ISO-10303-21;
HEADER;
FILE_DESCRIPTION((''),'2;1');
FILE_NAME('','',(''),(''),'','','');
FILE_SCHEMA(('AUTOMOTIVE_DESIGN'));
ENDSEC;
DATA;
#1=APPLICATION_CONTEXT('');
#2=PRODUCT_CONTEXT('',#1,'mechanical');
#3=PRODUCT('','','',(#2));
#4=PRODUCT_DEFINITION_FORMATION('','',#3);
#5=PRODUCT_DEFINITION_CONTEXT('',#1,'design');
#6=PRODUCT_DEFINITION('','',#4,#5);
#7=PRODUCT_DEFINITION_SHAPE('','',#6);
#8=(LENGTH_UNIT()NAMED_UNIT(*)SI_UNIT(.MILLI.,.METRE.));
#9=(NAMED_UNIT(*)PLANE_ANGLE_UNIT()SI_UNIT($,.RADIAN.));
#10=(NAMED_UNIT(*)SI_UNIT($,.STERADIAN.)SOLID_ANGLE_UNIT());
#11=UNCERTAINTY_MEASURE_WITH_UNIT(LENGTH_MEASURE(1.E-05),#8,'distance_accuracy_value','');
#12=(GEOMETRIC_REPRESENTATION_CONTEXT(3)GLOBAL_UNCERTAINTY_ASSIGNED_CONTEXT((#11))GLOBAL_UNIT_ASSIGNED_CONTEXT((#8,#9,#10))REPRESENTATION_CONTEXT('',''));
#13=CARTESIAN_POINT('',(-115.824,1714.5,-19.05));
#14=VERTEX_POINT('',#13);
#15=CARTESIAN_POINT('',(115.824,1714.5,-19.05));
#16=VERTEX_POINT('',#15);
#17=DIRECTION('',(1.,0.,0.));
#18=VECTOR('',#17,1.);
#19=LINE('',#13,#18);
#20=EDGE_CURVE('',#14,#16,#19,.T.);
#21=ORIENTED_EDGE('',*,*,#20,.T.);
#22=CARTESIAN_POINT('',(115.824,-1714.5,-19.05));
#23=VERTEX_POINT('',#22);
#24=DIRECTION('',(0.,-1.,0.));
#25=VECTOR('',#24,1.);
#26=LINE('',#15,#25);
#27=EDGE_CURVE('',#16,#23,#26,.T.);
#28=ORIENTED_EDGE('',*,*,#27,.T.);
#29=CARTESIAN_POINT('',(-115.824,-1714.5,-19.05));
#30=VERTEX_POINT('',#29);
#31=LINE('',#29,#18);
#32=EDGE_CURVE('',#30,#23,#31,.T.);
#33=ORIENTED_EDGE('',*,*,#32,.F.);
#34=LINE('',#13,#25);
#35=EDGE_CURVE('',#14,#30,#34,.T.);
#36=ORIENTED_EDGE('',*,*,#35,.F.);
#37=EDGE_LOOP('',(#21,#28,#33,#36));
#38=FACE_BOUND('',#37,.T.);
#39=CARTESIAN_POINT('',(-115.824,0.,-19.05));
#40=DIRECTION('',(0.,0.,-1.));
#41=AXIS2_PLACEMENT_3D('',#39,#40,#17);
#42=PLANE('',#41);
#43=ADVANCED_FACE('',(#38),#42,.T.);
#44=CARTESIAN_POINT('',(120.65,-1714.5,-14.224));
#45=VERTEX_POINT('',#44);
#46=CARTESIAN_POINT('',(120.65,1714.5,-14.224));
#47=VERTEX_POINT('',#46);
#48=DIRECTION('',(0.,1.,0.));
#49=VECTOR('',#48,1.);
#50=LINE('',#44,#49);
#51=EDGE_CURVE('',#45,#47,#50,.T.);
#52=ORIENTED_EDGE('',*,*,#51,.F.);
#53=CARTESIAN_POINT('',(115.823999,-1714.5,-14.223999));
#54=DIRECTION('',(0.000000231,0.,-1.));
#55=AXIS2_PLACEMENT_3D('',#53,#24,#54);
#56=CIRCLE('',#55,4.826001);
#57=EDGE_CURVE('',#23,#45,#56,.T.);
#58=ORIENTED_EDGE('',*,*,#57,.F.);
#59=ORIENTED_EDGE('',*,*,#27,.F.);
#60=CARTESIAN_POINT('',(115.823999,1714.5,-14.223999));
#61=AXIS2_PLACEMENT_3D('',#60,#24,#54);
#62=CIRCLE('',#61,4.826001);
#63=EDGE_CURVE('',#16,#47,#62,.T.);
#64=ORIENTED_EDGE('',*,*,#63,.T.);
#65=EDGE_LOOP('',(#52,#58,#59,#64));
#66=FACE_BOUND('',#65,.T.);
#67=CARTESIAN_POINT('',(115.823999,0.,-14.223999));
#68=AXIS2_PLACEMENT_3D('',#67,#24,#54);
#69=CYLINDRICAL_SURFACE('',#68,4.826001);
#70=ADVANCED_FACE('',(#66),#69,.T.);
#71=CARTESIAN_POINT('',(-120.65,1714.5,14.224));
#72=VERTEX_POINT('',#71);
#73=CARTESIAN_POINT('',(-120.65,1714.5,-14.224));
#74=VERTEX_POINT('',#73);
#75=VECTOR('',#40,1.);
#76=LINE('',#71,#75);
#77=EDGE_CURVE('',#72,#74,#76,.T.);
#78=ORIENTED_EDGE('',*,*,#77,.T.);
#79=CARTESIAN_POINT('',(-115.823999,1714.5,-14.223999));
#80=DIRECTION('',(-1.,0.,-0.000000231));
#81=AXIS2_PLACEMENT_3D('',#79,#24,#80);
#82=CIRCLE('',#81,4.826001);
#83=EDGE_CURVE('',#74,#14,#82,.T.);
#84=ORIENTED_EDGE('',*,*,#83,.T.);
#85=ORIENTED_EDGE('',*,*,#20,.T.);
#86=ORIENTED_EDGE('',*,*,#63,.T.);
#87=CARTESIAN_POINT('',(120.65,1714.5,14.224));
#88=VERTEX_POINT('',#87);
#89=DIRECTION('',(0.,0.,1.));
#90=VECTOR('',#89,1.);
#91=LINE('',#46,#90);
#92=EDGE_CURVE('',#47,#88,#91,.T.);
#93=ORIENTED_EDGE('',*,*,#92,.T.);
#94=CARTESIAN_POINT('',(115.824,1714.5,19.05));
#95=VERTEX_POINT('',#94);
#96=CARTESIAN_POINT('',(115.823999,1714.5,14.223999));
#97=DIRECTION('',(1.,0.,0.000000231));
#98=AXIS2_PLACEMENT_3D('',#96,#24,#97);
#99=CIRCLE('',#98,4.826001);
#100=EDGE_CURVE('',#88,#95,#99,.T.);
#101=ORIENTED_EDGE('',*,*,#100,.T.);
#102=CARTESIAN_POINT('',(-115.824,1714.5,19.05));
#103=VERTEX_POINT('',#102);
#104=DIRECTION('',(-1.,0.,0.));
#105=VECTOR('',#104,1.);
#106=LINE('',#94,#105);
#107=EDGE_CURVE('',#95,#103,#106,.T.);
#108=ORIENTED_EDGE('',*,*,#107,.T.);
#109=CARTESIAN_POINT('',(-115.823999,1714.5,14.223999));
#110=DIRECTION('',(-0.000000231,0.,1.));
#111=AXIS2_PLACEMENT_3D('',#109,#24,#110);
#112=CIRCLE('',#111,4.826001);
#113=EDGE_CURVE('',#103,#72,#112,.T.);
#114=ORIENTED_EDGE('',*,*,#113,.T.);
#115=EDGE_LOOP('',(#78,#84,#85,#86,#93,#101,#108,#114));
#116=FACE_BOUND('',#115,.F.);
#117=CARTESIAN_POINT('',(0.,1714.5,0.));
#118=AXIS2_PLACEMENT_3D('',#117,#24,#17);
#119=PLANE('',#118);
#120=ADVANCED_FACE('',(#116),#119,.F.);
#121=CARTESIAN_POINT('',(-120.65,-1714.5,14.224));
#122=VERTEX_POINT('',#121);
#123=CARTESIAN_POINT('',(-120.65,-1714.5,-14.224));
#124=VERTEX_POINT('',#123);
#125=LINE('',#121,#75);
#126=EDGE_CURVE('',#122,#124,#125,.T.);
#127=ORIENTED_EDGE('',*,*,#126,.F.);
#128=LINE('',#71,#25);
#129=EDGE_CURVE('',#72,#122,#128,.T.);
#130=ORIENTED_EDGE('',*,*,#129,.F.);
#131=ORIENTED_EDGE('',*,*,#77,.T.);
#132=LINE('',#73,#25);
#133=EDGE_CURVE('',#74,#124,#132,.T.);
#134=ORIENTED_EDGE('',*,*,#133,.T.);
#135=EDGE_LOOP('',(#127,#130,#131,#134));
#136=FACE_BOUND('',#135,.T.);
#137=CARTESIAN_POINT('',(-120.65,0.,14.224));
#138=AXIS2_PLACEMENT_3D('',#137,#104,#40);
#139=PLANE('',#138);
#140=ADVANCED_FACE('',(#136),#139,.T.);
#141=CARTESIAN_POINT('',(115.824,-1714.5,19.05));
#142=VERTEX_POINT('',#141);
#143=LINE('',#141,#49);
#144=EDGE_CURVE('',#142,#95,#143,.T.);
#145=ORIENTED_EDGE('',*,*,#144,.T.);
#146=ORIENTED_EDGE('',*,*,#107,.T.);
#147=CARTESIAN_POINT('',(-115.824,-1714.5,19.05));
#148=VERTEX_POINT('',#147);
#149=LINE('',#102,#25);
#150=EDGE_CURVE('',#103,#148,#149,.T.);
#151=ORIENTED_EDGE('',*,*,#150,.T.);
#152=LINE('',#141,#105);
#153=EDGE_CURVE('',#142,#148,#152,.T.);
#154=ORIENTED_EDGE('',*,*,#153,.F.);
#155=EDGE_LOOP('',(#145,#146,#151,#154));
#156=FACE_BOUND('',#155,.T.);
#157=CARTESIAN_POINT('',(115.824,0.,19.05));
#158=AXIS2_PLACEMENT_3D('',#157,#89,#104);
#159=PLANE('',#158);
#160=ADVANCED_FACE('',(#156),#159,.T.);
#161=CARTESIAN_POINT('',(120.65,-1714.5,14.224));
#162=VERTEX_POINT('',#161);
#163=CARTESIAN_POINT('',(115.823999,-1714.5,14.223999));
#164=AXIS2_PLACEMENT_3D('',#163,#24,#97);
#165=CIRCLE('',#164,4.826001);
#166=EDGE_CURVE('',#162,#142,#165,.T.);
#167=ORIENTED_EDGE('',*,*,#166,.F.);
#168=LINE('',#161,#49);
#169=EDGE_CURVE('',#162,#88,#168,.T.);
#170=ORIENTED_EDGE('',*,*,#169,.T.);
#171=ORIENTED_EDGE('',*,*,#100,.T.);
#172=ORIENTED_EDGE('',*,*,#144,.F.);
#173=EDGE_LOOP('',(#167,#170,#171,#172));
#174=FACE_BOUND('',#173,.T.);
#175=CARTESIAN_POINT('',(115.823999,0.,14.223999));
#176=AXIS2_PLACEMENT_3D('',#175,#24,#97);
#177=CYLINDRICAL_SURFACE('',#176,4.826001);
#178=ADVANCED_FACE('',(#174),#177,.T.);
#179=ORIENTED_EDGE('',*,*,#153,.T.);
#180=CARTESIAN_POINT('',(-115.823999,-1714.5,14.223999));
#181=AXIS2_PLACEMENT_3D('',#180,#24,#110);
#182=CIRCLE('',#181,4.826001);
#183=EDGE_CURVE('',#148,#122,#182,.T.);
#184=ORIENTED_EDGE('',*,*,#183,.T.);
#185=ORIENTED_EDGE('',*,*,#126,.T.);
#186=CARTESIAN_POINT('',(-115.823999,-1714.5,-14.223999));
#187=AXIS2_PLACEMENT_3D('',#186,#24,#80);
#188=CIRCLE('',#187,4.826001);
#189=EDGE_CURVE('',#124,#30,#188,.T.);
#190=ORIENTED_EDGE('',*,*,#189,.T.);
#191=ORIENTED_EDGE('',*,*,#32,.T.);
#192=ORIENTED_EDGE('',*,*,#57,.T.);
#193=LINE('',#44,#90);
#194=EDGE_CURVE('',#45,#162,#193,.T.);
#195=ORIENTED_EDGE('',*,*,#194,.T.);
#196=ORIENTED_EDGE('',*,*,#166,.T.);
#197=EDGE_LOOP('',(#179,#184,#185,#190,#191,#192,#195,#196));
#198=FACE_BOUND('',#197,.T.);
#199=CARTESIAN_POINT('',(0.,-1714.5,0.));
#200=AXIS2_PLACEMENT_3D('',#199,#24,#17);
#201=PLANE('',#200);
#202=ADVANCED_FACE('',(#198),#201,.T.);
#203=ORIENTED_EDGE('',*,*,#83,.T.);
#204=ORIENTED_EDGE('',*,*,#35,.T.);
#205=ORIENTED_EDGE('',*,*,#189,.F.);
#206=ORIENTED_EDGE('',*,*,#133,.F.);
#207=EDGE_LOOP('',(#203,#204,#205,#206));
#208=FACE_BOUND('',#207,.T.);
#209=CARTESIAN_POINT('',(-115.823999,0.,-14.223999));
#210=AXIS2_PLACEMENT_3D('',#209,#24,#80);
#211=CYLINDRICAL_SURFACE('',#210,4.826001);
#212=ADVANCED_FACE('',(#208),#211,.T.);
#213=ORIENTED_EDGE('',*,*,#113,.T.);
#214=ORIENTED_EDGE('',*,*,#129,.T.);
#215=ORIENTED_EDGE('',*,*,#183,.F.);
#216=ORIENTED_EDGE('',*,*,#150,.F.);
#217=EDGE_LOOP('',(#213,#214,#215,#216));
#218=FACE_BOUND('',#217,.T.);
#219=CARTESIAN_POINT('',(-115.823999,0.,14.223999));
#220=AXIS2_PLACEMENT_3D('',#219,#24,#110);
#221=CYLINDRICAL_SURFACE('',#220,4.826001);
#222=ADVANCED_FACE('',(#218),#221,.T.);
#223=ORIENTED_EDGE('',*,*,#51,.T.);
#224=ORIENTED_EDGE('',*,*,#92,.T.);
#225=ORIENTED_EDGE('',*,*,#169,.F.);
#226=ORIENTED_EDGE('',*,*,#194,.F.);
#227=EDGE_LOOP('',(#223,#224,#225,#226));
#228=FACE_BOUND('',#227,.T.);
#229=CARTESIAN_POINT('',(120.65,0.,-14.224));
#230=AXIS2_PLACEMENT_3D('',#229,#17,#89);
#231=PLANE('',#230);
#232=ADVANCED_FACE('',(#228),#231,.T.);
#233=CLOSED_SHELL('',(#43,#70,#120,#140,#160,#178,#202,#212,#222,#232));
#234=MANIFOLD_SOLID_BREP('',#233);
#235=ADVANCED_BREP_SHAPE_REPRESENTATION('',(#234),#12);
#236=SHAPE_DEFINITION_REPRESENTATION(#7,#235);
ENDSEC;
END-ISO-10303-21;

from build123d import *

# Parameters (mm, degrees)
F1_DEPTH = 1714.5


with BuildPart() as f1:
    # F0 (on Front) → F1 (new body, symmetric)
    with BuildSketch(Plane.XZ):
        with BuildLine():
            Line((115.824, 19.05), (-115.824, 19.05))
            ThreePointArc((-115.824, 19.05), (-119.236497, 17.636497), (-120.65, 14.224))
            Line((-120.65, 14.224), (-120.65, -14.224))
            ThreePointArc((-120.65, -14.224), (-119.236497, -17.636497), (-115.824, -19.05))
            Line((-115.824, -19.05), (115.824, -19.05))
            ThreePointArc((115.824, -19.05), (119.236497, -17.636497), (120.65, -14.224))
            Line((120.65, -14.224), (120.65, 14.224))
            ThreePointArc((120.65, 14.224), (119.236497, 17.636497), (115.824, 19.05))
        make_face()
    extrude(amount=F1_DEPTH, both=True)


solid = f1.part
